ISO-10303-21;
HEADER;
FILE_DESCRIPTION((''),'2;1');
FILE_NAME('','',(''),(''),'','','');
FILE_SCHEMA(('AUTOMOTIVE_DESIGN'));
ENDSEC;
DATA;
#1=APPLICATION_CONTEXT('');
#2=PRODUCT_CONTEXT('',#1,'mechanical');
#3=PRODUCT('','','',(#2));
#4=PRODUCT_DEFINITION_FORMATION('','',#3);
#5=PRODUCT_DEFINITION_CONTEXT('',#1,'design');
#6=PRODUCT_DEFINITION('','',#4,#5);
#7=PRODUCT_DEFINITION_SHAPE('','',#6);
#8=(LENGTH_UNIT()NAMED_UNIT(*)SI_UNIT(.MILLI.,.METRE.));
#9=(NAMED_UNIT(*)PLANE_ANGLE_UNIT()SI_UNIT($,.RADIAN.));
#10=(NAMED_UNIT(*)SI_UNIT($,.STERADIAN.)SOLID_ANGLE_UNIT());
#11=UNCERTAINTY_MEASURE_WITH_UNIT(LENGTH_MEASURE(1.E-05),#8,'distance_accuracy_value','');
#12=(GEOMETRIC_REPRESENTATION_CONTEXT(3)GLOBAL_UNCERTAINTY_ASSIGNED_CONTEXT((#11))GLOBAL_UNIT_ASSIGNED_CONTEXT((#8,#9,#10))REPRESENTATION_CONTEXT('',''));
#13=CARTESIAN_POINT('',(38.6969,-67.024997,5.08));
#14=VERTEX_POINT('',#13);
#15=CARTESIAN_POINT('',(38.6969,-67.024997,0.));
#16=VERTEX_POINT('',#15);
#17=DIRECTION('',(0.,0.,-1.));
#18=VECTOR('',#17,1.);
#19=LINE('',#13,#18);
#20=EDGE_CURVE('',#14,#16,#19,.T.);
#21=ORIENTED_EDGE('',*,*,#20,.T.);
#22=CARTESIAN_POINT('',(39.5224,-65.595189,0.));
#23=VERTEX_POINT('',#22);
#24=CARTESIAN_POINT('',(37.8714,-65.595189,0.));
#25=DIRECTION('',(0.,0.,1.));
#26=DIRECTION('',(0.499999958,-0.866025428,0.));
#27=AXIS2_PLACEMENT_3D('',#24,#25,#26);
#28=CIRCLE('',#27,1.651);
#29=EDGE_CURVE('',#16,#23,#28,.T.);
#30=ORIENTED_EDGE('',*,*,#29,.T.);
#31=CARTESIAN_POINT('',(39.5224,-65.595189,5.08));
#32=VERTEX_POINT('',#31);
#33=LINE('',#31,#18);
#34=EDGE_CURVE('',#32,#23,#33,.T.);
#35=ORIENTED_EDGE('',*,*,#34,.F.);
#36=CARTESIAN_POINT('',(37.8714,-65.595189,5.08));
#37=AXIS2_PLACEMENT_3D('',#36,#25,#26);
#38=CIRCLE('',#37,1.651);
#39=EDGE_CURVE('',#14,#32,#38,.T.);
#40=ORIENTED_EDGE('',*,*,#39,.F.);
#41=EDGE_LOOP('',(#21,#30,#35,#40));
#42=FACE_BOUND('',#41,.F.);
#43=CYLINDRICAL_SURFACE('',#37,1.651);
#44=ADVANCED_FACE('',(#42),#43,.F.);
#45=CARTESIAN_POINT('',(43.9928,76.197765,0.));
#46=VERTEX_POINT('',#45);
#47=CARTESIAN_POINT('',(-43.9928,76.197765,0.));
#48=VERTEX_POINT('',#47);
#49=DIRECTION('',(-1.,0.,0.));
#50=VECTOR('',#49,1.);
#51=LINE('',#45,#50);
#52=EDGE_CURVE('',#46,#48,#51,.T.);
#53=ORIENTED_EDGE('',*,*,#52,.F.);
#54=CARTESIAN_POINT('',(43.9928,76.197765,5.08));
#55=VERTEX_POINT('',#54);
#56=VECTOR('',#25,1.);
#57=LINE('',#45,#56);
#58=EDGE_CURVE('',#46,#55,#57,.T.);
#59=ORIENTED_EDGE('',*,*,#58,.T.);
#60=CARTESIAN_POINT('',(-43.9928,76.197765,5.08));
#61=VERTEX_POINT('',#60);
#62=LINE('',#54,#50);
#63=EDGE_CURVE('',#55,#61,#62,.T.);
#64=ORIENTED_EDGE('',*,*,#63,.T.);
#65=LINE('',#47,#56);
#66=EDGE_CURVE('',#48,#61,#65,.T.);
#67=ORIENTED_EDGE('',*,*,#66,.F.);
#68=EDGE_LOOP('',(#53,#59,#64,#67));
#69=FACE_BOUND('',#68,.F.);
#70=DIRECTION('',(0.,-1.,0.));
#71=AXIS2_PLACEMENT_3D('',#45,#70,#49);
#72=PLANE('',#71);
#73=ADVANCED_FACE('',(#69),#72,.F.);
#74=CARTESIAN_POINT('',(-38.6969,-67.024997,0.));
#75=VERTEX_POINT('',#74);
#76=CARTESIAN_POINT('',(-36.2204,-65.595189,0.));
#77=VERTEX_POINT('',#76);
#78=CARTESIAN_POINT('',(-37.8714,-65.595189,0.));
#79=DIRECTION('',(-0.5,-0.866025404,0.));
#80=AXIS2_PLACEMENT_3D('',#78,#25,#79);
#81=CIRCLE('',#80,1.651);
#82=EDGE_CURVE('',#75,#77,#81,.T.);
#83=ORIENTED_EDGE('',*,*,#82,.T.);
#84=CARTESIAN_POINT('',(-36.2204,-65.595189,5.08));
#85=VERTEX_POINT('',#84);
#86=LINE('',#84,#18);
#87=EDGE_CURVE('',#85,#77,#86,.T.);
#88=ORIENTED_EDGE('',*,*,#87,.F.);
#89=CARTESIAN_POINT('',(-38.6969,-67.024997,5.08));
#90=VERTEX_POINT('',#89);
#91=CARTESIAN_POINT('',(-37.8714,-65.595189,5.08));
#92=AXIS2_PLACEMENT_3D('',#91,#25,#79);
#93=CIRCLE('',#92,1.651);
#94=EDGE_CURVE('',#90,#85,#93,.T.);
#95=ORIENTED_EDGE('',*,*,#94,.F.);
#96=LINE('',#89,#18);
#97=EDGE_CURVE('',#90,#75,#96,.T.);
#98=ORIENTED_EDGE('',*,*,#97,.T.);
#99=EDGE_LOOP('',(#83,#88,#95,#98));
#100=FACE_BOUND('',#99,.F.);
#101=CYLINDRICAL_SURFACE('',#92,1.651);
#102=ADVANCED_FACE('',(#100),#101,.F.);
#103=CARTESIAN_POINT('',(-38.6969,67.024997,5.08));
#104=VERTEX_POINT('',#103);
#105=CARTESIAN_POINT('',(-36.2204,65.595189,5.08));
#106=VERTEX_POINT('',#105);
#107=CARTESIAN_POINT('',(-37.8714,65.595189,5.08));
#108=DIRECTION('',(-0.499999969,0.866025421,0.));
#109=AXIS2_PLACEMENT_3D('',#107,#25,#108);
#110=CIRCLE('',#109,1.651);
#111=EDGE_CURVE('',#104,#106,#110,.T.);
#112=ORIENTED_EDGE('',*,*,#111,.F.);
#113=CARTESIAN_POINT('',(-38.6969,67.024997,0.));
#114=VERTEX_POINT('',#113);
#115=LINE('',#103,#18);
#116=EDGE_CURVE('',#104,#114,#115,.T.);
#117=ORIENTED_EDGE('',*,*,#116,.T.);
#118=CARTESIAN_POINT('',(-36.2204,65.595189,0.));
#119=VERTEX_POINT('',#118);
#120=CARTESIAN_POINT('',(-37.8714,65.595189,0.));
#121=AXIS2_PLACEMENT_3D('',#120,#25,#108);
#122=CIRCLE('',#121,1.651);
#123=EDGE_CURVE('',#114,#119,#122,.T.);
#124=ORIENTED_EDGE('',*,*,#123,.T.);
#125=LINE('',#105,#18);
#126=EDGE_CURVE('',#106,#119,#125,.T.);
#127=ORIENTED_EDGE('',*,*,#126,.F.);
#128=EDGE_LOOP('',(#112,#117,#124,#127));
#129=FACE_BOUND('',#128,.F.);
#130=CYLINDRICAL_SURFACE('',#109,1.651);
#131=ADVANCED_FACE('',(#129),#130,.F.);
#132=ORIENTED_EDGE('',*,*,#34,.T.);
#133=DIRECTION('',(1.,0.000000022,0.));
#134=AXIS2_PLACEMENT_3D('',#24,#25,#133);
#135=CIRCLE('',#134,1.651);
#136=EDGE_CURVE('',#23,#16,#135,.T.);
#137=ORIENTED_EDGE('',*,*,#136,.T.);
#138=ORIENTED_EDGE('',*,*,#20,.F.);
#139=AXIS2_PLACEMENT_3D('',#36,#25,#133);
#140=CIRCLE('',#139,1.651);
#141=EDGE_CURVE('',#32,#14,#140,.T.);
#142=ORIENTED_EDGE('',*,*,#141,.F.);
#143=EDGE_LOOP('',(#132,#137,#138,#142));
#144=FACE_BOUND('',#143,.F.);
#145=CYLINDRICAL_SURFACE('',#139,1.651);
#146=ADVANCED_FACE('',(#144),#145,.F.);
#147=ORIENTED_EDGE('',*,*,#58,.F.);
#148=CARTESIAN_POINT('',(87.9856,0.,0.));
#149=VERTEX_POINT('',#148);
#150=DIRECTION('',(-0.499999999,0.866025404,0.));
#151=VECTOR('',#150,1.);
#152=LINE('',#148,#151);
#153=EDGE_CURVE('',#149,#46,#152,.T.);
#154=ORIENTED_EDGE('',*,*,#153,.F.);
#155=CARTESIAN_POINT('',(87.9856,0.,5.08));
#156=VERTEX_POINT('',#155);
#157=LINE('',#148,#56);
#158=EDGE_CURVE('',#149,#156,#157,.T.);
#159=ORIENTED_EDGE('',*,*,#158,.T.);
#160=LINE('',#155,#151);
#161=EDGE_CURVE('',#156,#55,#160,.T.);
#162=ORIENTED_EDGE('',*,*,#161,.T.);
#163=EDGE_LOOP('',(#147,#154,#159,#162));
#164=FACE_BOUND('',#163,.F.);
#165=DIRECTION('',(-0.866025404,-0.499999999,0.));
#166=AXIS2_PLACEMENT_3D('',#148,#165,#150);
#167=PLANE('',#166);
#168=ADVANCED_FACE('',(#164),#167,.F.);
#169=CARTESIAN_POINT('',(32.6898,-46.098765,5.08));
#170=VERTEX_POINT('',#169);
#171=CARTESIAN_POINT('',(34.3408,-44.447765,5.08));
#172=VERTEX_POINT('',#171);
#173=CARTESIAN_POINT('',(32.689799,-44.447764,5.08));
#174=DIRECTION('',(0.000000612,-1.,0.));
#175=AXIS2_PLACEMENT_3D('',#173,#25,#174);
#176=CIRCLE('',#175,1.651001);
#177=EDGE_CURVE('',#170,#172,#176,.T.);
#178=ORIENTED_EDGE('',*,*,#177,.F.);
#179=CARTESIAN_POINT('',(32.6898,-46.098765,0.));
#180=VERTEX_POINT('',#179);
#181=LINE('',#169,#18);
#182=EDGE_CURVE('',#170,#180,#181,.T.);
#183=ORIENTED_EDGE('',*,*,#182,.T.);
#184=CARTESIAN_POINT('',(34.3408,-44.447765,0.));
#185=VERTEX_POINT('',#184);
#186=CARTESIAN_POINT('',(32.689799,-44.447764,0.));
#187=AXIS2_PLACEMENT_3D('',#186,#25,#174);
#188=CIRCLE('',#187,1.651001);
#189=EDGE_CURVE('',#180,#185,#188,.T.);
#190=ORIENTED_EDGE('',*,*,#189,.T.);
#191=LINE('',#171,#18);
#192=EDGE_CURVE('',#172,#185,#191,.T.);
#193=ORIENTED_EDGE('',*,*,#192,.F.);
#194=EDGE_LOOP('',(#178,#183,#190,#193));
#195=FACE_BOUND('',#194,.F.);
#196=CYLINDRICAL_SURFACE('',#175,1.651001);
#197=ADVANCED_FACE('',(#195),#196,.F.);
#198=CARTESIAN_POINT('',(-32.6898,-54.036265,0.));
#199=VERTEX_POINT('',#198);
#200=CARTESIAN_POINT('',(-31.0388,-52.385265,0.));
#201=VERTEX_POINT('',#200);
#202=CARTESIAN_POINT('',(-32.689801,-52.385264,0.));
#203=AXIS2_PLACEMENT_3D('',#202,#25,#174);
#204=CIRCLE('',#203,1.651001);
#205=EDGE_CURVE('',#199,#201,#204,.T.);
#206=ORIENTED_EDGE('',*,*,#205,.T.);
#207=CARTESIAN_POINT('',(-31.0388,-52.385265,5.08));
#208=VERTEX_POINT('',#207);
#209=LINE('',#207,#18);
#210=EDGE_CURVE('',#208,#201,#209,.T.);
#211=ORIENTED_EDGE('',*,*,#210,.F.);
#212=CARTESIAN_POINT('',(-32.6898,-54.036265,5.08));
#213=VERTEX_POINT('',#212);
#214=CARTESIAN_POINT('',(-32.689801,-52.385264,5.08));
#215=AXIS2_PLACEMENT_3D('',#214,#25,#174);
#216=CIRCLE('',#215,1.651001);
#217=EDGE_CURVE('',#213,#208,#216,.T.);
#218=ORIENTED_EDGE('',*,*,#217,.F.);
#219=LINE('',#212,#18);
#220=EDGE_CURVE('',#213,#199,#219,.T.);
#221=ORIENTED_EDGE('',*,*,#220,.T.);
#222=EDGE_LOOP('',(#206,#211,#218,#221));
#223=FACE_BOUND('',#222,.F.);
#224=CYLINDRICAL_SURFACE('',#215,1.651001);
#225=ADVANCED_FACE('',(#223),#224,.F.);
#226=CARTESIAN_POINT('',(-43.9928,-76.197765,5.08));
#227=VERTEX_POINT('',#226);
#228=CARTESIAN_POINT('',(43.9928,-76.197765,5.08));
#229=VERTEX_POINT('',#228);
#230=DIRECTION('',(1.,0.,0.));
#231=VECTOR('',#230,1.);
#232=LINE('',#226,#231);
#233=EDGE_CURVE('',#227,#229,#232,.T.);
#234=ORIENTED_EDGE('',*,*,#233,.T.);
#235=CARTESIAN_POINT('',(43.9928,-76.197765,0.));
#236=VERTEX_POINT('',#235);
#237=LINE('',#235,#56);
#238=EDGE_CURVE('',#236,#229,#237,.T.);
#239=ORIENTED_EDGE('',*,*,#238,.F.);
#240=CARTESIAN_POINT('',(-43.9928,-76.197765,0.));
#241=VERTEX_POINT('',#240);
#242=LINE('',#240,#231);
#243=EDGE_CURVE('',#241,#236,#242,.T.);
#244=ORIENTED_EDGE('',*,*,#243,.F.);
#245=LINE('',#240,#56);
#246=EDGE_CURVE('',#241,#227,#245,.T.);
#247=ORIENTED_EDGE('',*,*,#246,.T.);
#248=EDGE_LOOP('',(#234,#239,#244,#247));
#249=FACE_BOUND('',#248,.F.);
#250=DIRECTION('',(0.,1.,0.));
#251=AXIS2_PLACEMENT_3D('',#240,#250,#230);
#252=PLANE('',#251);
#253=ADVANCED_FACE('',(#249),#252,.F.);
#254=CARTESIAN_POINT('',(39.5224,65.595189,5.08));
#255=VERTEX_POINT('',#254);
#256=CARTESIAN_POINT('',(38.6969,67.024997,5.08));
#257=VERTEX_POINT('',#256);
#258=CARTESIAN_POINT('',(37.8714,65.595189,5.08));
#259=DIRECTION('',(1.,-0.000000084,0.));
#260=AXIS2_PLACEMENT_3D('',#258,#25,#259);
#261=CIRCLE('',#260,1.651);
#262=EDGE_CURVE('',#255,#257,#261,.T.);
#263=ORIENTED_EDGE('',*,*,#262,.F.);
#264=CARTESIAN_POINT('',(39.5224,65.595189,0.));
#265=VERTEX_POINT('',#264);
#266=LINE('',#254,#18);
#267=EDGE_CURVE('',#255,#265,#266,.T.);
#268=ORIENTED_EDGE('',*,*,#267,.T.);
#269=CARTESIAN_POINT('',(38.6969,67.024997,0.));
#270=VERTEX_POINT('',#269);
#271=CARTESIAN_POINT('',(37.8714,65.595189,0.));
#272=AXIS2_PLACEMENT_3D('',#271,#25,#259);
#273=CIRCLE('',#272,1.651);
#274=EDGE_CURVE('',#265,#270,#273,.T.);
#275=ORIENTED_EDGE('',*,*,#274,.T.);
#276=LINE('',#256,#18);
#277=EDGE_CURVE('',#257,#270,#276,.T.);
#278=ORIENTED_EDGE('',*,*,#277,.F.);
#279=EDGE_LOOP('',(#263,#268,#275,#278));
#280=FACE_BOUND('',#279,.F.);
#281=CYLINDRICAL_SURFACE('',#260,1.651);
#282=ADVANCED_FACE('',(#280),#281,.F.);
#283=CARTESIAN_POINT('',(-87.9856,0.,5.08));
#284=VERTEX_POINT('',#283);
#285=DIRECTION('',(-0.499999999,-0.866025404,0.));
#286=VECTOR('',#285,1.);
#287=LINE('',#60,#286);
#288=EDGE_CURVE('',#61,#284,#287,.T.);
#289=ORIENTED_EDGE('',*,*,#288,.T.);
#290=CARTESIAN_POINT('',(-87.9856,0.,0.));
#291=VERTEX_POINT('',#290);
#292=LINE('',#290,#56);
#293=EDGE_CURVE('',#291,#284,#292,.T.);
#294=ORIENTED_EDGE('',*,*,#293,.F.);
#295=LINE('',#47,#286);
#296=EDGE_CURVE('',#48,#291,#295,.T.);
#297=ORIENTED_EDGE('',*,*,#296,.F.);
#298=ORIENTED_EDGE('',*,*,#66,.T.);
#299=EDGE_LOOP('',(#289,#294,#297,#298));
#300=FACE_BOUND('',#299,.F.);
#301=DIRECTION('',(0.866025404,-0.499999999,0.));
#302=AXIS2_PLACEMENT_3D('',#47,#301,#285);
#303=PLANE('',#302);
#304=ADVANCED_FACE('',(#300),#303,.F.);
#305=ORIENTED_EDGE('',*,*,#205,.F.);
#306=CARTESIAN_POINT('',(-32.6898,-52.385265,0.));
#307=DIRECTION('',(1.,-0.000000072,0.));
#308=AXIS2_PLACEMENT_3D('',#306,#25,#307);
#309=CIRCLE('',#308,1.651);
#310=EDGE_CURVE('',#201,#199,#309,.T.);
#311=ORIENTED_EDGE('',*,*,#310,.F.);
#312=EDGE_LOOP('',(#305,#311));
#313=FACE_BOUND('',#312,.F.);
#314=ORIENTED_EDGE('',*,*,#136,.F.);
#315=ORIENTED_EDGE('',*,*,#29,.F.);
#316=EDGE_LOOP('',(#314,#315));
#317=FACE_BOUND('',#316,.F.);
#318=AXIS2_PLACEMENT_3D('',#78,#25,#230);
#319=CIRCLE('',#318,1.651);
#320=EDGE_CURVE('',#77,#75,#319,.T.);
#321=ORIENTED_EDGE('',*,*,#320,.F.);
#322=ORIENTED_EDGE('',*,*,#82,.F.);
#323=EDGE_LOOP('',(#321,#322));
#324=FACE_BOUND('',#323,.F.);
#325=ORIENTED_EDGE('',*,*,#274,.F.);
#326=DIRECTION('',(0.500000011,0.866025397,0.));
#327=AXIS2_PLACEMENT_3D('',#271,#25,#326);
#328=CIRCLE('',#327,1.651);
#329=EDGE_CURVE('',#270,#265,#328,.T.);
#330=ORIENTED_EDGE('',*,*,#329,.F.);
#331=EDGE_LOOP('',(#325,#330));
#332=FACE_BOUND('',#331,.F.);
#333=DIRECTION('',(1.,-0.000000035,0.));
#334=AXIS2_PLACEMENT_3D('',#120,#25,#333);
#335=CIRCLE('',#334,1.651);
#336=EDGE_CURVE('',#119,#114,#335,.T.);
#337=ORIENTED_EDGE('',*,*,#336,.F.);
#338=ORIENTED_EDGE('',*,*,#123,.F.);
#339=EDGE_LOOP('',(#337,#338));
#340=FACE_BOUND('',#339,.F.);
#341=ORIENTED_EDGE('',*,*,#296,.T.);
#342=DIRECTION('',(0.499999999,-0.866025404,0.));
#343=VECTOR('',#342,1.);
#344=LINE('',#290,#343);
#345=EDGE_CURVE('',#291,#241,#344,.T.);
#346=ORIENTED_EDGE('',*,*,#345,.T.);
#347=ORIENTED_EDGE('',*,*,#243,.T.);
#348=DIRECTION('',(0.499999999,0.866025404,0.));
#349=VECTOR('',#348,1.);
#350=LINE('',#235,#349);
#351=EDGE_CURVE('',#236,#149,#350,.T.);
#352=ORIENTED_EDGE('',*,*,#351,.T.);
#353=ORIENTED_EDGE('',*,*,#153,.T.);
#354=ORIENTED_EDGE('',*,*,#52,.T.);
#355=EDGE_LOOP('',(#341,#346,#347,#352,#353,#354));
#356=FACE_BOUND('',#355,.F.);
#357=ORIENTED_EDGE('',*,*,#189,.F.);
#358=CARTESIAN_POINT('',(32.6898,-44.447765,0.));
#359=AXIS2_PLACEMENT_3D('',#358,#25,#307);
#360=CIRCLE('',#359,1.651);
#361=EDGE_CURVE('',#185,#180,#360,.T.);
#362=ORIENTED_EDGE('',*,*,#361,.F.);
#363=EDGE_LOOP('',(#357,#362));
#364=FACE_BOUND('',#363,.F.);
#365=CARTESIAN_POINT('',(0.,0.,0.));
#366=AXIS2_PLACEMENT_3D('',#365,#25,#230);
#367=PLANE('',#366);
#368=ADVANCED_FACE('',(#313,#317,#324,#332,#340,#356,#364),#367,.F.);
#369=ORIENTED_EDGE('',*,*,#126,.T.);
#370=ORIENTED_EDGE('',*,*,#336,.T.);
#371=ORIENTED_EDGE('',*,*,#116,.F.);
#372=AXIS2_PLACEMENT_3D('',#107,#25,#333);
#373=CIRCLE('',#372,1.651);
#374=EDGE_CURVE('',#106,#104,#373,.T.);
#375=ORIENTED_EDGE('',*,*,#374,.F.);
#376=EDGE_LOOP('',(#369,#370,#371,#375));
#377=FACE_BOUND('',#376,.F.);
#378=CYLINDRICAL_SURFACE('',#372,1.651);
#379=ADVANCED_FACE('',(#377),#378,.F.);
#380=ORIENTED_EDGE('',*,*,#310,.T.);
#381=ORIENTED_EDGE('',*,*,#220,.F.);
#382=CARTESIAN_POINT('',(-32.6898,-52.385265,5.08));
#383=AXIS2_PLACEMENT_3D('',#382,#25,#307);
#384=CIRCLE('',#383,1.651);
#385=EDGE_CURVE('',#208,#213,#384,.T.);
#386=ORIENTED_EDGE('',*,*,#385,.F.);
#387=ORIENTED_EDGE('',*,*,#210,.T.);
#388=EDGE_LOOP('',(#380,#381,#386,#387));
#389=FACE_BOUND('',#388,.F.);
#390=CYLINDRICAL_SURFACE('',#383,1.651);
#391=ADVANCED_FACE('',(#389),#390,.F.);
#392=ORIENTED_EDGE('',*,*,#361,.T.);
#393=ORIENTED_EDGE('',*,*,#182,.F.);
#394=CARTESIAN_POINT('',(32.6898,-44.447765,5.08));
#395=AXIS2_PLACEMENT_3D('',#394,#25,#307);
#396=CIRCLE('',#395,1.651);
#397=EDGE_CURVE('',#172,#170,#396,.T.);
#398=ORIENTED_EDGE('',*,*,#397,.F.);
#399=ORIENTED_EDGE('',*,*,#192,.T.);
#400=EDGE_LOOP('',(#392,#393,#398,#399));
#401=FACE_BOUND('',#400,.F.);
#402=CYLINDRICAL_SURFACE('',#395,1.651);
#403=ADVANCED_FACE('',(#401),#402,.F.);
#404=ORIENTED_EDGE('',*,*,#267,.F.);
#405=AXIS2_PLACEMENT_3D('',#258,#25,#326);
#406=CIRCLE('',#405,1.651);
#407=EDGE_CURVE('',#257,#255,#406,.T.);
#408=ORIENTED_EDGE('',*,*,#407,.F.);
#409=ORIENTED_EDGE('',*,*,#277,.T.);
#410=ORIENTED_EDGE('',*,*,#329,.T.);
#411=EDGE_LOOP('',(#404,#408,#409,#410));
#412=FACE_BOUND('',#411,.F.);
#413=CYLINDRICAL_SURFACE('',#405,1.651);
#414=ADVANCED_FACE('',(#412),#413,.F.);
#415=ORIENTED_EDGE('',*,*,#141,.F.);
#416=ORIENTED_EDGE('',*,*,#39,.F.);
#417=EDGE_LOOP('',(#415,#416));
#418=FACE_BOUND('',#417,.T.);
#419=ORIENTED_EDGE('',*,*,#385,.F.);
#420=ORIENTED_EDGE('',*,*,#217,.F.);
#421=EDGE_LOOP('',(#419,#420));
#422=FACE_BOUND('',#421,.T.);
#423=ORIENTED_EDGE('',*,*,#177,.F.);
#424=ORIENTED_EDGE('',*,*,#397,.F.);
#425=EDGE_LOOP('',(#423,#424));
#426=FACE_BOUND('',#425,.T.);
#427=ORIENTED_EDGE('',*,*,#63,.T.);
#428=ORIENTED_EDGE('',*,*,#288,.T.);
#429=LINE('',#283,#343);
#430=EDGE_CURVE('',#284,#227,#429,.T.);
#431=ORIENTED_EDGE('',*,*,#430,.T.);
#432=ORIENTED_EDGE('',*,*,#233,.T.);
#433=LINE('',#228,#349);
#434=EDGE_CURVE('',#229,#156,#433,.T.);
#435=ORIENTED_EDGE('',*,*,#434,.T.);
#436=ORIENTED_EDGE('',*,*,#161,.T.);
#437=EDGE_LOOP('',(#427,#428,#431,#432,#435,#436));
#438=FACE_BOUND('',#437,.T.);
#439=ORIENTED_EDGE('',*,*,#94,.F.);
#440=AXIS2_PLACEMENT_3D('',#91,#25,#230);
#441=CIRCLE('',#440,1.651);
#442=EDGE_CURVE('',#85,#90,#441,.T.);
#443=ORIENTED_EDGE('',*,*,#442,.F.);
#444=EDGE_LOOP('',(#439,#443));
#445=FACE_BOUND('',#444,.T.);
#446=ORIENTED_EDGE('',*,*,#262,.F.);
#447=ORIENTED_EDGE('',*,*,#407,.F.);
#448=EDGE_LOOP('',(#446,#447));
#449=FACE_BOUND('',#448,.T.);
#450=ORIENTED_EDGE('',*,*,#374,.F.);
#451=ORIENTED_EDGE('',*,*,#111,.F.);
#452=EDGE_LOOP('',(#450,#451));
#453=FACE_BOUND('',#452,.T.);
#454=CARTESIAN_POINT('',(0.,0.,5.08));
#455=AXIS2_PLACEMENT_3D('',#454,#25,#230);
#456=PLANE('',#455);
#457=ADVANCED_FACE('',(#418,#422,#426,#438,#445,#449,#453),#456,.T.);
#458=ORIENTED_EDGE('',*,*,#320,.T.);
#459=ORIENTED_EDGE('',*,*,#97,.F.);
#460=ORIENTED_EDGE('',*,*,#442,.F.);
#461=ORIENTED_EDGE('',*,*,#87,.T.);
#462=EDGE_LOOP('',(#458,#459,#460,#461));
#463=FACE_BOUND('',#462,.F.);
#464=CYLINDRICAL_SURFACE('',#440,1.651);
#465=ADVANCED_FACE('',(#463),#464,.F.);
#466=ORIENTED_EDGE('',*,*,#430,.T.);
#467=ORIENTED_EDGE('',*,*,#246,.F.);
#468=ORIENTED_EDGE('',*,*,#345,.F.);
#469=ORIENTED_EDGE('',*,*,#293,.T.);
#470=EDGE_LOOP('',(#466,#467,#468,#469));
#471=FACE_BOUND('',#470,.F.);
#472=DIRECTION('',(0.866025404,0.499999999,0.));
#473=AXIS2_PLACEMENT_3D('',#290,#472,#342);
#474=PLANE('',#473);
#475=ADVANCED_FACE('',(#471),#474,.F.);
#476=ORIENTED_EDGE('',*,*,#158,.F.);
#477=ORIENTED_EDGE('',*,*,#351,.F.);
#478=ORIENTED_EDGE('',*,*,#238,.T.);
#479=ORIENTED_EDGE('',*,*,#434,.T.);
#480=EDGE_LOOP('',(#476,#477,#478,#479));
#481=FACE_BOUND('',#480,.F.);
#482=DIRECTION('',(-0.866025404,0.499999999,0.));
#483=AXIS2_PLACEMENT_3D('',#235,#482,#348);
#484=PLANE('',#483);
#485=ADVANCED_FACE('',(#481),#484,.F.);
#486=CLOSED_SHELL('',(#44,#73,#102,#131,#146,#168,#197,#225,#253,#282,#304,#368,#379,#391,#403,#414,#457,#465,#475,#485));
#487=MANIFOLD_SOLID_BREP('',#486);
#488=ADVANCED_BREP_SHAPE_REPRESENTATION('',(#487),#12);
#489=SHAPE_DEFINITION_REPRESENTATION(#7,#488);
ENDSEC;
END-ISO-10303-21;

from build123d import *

# Parameters (mm, degrees)
F1_DEPTH = 5.08
F3_DEPTH = 25.4
F5_DEPTH = 25.4
F7_DEPTH = 25.4


with BuildPart() as f1:
    # F0 (on Top) → F1 (new body)
    with BuildSketch(Plane.XY):
        Polygon((43.9928, 76.197765), (-43.9928, 76.197765), (-87.9856, 0), (-43.9928, -76.197765), (43.9928, -76.197765), (87.9856, 0), align=None)
    extrude(amount=F1_DEPTH)

    # F2 (on face) → F3 (cut)
    with BuildSketch(Plane.XY.offset(5.08)):
        with BuildLine():
            ThreePointArc((-38.6969, 67.024997), (-38.6969, 64.165381), (-36.2204, 65.595189))
            ThreePointArc((-36.2204, 65.595189), (-37.0459, 67.024997), (-38.6969, 67.024997))
        make_face()
        with BuildLine():
            ThreePointArc((38.6969, 67.024997), (36.441592, 64.769689), (39.5224, 65.595189))
            ThreePointArc((39.5224, 65.595189), (39.301208, 66.420689), (38.6969, 67.024997))
        make_face()
        with BuildLine():
            ThreePointArc((38.6969, -67.024997), (39.301208, -66.420689), (39.5224, -65.595189))
            ThreePointArc((39.5224, -65.595189), (36.441592, -64.769689), (38.6969, -67.024997))
        make_face()
        with BuildLine():
            ThreePointArc((-38.6969, -67.024997), (-37.0459, -67.024997), (-36.2204, -65.595189))
            ThreePointArc((-36.2204, -65.595189), (-38.6969, -64.165381), (-38.6969, -67.024997))
        make_face()
    extrude(amount=-F3_DEPTH, mode=Mode.SUBTRACT)

    # F4 (on face) → F5 (cut)
    with BuildSketch(Plane.XY.offset(5.08)):
        with BuildLine():
            ThreePointArc((32.6898, -46.098765), (33.857233, -45.615198), (34.3408, -44.447765))
            ThreePointArc((34.3408, -44.447765), (31.522367, -43.280331), (32.6898, -46.098765))
        make_face()
    extrude(amount=-F5_DEPTH, mode=Mode.SUBTRACT)

    # F6 (on face) → F7 (cut)
    with BuildSketch(Plane.XY.offset(5.08)):
        with BuildLine():
            ThreePointArc((-31.0388, -52.385265), (-33.857233, -51.217831), (-32.6898, -54.036265))
            ThreePointArc((-32.6898, -54.036265), (-31.522367, -53.552698), (-31.0388, -52.385265))
        make_face()
    extrude(amount=-F7_DEPTH, mode=Mode.SUBTRACT)


solid = f1.part
